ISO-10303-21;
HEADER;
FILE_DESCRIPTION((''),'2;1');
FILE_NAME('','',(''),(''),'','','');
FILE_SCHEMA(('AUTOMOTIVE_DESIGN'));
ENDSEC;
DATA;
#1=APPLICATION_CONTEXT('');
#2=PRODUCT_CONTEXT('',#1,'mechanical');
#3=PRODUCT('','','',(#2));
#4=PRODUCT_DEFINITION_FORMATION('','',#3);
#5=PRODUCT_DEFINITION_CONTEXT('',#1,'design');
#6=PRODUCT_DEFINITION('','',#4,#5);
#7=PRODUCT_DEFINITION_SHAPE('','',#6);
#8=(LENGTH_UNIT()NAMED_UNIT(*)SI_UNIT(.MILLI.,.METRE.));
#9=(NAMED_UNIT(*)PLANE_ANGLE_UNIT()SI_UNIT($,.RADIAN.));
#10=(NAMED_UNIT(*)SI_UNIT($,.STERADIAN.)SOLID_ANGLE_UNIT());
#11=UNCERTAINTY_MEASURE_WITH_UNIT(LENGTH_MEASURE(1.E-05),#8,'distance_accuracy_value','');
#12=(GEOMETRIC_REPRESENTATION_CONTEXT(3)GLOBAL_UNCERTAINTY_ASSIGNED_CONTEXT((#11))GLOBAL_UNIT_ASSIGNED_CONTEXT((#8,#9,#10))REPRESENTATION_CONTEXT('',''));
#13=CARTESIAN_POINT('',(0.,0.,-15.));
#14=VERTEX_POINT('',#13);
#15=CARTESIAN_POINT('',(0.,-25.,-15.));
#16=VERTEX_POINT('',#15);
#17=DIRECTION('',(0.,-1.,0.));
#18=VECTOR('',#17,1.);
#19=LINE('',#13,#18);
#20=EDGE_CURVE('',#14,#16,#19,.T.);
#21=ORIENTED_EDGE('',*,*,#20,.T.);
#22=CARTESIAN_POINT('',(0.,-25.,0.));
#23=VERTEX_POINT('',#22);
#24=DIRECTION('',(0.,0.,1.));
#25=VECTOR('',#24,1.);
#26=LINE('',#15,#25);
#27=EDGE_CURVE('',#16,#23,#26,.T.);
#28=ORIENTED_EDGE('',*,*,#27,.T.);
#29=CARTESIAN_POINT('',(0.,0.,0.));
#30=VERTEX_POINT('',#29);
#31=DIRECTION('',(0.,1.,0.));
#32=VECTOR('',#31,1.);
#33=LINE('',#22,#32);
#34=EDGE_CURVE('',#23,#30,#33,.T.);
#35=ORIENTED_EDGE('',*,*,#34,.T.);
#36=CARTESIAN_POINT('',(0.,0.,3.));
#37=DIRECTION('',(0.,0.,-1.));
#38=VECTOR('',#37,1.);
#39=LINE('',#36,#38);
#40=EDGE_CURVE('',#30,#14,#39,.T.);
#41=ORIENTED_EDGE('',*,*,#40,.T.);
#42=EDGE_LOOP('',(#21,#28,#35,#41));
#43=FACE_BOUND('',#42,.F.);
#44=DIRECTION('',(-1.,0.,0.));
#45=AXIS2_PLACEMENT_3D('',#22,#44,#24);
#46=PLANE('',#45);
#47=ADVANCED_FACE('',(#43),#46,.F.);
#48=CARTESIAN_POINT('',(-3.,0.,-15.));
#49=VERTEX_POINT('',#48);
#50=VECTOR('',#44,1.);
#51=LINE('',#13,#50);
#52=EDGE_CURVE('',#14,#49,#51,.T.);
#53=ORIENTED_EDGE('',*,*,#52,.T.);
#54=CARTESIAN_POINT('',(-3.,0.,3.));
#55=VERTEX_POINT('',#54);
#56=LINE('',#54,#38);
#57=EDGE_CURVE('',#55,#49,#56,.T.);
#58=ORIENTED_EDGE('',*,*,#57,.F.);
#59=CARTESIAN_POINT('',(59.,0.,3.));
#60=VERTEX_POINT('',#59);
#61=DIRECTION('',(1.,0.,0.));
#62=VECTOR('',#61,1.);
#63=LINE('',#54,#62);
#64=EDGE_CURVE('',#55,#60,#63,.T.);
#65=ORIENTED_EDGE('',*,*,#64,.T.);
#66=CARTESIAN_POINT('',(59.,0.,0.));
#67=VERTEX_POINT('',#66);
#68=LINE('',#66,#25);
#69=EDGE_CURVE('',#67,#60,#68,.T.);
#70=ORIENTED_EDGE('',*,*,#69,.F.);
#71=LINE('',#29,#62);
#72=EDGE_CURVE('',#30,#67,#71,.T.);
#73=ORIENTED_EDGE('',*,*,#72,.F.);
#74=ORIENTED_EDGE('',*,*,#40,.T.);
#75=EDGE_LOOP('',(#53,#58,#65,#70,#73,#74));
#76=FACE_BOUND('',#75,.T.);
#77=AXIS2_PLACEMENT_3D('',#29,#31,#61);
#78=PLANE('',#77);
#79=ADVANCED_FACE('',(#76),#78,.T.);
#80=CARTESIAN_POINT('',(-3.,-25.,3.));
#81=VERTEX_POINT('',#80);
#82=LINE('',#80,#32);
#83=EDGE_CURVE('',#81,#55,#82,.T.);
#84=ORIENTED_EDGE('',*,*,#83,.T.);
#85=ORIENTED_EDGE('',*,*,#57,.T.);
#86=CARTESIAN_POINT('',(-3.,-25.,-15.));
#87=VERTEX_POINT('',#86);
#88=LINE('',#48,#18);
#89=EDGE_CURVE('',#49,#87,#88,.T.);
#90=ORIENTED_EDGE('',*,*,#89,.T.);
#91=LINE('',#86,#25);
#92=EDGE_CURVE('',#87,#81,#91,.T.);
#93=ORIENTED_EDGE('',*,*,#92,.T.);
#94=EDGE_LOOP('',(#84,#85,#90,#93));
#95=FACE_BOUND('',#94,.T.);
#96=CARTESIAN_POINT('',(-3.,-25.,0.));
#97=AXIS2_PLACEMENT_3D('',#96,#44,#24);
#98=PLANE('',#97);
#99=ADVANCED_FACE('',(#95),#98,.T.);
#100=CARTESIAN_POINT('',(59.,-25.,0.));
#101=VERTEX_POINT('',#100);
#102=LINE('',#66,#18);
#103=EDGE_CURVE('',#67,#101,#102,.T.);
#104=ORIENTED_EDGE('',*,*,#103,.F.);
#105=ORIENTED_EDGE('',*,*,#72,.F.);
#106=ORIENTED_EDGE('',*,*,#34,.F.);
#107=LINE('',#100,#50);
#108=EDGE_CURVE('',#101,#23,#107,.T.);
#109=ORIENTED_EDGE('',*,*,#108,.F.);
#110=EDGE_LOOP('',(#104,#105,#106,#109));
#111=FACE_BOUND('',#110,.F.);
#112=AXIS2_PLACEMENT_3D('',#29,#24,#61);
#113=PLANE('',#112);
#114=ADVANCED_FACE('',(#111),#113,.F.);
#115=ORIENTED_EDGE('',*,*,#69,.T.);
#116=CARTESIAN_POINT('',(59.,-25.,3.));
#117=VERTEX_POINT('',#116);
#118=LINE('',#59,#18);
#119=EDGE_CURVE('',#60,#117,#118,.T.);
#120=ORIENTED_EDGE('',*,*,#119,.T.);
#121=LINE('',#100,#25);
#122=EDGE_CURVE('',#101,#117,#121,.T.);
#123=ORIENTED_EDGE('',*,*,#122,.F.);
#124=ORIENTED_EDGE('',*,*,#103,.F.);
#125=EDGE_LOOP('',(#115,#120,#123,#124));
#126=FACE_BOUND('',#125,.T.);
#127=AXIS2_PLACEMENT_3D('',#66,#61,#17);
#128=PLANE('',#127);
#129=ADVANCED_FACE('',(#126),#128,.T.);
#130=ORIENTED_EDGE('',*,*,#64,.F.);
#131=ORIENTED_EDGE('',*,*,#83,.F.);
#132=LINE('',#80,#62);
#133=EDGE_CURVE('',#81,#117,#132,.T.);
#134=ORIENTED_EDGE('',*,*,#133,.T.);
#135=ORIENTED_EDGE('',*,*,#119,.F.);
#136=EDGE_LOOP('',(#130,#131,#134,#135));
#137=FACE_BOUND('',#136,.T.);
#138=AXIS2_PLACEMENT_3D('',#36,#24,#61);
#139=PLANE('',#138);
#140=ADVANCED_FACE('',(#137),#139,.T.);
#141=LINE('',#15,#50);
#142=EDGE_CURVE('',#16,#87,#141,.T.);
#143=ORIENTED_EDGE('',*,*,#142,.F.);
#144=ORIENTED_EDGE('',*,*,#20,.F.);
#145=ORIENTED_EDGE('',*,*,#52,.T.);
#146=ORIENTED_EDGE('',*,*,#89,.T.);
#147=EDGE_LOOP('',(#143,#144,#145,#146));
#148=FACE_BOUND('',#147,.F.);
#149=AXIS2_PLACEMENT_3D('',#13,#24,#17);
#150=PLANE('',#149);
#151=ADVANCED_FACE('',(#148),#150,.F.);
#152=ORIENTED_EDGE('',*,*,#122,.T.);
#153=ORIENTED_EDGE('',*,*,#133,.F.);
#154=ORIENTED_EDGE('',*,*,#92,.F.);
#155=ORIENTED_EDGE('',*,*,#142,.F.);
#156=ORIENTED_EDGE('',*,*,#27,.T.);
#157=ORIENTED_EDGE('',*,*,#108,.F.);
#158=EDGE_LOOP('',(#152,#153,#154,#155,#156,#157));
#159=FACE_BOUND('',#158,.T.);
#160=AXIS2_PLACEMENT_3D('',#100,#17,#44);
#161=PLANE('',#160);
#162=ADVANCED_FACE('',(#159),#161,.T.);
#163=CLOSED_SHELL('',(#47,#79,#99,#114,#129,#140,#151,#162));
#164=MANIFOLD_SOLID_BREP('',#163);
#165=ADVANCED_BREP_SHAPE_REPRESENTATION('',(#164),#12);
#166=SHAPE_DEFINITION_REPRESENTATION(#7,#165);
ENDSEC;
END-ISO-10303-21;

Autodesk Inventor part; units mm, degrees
ref_plane "YZ Plane" through (0, 0, 0) normal (1, 0, 0) x (0, 1, 0)
ref_plane "XZ Plane" through (0, 0, 0) normal (0, 1, 0) x (-1, 0, 0)
ref_plane "XY Plane" through (0, 0, 0) normal (0, 0, 1) x (1, 0, 0)
sketch "Sketch1" plane through (0, 0, 0) normal (0, 0, 1) x (1, 0, 0)
  line L0 (0, 0) -> (59, 0)
  line L1 (59, 0) -> (59, -25)
  line L2 (59, -25) -> (0, -25)
  line L3 (0, -25) -> (0, 0)
  dimension "d0" = 59
  dimension "d1" = 25
extrude "Extrusion1" add sketch "Sketch1" along normal blind 3
sketch "Sketch2" plane through (0, -25, 0) normal (-1, 0, 0) x (0, 0, 1)
  line L0 (3, 0) -> (3, 25) projected
  line L1 (3, 25) -> (-15, 25)
  line L2 (-15, 25) -> (-15, 0)
  line L3 (-15, 0) -> (3, 0)
  line L4 (3, 0) -> (3, 25)
  point P0 (0, 25)
  dimension "d4" = 18
extrude "Extrusion2" add sketch "Sketch2" along normal blind 3
properties part number "arduino array box v03 slot"
